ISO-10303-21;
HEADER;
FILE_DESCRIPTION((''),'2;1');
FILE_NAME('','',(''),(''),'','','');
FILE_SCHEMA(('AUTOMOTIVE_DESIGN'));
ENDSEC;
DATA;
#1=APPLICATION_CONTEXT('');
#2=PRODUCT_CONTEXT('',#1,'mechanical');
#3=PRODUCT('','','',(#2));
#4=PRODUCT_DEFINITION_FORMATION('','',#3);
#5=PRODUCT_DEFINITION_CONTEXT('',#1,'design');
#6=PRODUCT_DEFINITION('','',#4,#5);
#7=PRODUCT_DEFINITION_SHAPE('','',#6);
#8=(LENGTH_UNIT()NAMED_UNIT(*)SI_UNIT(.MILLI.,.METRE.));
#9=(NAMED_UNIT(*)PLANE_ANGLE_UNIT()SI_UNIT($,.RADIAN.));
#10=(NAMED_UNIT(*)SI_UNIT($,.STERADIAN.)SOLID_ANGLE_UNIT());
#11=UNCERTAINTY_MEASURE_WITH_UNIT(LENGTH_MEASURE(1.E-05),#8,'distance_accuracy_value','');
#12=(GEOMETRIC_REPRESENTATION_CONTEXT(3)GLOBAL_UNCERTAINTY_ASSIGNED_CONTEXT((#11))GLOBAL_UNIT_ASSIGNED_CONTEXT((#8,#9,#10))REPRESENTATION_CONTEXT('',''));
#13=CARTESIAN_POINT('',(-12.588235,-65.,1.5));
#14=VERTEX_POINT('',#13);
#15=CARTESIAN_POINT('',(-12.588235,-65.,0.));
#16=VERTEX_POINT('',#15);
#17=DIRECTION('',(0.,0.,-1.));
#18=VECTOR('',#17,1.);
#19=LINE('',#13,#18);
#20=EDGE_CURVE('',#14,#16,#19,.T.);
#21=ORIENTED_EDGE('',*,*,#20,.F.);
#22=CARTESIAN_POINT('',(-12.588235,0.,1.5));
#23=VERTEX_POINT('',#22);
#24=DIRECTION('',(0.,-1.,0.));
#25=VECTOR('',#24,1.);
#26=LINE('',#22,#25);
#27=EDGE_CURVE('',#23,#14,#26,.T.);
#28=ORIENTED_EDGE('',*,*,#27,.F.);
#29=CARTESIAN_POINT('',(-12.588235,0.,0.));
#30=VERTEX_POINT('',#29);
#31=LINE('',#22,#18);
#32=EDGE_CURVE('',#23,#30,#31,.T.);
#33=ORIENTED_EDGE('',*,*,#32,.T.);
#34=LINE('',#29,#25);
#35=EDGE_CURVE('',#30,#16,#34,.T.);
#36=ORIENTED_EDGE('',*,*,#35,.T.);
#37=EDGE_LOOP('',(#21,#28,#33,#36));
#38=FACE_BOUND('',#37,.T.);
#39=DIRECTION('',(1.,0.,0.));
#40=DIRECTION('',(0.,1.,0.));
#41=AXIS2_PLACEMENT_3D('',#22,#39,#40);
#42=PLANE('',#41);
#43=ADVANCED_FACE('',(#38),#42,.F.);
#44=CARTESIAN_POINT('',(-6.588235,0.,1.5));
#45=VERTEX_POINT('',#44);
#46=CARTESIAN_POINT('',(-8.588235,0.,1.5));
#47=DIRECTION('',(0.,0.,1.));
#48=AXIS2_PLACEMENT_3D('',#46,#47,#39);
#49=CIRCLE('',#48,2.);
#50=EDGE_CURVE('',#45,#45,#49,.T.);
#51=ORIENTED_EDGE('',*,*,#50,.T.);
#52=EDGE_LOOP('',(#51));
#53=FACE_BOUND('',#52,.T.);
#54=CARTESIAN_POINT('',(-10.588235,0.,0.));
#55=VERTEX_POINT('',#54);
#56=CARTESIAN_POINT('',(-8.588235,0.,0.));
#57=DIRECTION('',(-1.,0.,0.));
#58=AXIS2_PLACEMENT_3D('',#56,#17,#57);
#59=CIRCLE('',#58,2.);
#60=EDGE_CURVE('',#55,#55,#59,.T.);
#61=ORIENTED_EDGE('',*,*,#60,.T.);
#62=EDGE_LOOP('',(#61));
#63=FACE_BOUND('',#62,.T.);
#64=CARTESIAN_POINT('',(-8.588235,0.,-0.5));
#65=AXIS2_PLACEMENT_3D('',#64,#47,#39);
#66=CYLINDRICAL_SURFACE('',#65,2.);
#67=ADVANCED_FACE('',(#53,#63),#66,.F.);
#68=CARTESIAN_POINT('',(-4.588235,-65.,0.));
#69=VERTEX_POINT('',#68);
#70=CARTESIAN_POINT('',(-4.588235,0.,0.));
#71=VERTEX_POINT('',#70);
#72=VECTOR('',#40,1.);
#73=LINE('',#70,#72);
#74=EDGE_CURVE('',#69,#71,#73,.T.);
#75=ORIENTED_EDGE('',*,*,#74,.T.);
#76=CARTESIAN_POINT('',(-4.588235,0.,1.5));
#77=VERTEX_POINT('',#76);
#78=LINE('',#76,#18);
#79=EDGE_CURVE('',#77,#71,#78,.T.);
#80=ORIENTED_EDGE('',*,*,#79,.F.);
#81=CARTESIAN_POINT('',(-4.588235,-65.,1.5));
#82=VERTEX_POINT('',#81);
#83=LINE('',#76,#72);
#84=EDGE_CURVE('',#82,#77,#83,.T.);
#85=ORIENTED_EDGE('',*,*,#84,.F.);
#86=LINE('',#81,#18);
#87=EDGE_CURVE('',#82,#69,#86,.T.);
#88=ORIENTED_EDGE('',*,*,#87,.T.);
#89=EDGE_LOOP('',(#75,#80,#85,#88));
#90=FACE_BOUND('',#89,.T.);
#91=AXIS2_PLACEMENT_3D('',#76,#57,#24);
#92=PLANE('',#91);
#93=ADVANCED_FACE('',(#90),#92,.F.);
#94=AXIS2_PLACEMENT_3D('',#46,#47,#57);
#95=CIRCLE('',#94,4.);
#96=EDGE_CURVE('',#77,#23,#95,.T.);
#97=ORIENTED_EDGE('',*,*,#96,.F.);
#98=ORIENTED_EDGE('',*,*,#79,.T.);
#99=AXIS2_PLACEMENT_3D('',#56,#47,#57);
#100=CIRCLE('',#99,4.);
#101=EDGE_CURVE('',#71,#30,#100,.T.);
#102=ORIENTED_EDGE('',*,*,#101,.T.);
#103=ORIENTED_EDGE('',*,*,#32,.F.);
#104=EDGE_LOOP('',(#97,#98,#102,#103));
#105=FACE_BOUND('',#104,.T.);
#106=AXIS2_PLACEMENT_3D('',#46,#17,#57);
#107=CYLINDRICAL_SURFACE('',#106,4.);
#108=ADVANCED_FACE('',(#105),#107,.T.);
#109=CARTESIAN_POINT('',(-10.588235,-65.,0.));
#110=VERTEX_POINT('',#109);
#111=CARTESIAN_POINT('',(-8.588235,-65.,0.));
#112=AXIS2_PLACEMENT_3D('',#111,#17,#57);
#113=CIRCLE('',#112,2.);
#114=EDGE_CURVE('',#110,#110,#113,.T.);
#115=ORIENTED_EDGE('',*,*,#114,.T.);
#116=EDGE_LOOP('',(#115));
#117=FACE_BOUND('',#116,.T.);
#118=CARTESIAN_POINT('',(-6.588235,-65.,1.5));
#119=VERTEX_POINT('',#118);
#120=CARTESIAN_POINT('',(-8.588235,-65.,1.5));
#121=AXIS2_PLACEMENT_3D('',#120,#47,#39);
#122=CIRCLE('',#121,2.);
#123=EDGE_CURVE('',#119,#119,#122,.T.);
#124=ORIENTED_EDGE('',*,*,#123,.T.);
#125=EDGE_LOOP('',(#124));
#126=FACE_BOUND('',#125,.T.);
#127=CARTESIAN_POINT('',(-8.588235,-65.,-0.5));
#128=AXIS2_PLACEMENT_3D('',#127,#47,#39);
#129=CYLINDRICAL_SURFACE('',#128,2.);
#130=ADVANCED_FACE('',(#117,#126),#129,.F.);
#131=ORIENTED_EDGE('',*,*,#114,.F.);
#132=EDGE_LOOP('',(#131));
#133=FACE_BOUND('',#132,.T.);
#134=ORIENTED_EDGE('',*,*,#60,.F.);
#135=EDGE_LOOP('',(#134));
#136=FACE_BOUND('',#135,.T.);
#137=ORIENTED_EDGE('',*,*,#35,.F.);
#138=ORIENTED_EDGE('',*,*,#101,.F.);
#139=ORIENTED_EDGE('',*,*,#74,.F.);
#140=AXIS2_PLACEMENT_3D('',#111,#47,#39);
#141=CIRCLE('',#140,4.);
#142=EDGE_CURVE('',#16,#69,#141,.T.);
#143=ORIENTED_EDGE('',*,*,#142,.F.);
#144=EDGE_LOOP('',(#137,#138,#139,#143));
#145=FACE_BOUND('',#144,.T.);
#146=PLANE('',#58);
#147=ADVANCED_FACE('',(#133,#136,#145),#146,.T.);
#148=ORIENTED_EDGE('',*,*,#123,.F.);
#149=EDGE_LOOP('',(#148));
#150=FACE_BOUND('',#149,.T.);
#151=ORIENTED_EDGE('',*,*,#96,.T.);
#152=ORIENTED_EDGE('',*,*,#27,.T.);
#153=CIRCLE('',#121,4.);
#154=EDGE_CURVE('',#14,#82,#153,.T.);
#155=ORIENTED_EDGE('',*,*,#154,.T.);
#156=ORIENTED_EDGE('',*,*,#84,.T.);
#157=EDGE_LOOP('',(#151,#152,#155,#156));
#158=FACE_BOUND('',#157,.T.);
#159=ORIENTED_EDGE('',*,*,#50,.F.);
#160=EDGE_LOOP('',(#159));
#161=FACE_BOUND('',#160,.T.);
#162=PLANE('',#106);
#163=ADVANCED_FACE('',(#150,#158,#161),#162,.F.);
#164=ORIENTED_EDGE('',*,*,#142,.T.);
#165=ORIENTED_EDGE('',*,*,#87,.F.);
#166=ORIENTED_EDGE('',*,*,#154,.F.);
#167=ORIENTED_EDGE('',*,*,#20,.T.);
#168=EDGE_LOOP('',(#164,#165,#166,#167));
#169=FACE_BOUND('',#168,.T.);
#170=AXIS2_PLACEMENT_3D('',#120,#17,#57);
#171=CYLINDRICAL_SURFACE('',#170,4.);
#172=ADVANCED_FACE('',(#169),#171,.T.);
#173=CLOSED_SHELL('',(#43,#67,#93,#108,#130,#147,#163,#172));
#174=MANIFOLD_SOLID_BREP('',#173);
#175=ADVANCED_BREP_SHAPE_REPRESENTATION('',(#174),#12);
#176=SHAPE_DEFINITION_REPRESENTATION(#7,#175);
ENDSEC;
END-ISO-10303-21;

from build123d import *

# Parameters (mm, degrees)
BOSS_EXTRUDE1_DEPTH = 1.5
SKETCH2_R           = 2
CUT_EXTRUDE1_DEPTH  = 2


with BuildPart() as part:
    # Sketch1 → Boss-Extrude1 (new body)
    with BuildSketch(Plane.XY):
        with BuildLine():
            Line((-12.588235294, 0), (-12.588235294, -65))
            ThreePointArc((-12.588235294, -65), (-8.588235294, -69), (-4.588235294, -65))
            Line((-4.588235294, -65), (-4.588235294, 0))
            ThreePointArc((-4.588235294, 0), (-8.588235294, 4), (-12.588235294, 0))
        make_face()
    extrude(amount=BOSS_EXTRUDE1_DEPTH)

    # Sketch2 → Cut-Extrude1 (cut)
    with BuildSketch(Plane.XY.offset(1.5)):
        with Locations((-8.588235294, 0)):
            Circle(SKETCH2_R)
        with Locations((-8.588235294, -65)):
            Circle(SKETCH2_R)
    extrude(amount=-CUT_EXTRUDE1_DEPTH, mode=Mode.SUBTRACT)


solid = part.part
